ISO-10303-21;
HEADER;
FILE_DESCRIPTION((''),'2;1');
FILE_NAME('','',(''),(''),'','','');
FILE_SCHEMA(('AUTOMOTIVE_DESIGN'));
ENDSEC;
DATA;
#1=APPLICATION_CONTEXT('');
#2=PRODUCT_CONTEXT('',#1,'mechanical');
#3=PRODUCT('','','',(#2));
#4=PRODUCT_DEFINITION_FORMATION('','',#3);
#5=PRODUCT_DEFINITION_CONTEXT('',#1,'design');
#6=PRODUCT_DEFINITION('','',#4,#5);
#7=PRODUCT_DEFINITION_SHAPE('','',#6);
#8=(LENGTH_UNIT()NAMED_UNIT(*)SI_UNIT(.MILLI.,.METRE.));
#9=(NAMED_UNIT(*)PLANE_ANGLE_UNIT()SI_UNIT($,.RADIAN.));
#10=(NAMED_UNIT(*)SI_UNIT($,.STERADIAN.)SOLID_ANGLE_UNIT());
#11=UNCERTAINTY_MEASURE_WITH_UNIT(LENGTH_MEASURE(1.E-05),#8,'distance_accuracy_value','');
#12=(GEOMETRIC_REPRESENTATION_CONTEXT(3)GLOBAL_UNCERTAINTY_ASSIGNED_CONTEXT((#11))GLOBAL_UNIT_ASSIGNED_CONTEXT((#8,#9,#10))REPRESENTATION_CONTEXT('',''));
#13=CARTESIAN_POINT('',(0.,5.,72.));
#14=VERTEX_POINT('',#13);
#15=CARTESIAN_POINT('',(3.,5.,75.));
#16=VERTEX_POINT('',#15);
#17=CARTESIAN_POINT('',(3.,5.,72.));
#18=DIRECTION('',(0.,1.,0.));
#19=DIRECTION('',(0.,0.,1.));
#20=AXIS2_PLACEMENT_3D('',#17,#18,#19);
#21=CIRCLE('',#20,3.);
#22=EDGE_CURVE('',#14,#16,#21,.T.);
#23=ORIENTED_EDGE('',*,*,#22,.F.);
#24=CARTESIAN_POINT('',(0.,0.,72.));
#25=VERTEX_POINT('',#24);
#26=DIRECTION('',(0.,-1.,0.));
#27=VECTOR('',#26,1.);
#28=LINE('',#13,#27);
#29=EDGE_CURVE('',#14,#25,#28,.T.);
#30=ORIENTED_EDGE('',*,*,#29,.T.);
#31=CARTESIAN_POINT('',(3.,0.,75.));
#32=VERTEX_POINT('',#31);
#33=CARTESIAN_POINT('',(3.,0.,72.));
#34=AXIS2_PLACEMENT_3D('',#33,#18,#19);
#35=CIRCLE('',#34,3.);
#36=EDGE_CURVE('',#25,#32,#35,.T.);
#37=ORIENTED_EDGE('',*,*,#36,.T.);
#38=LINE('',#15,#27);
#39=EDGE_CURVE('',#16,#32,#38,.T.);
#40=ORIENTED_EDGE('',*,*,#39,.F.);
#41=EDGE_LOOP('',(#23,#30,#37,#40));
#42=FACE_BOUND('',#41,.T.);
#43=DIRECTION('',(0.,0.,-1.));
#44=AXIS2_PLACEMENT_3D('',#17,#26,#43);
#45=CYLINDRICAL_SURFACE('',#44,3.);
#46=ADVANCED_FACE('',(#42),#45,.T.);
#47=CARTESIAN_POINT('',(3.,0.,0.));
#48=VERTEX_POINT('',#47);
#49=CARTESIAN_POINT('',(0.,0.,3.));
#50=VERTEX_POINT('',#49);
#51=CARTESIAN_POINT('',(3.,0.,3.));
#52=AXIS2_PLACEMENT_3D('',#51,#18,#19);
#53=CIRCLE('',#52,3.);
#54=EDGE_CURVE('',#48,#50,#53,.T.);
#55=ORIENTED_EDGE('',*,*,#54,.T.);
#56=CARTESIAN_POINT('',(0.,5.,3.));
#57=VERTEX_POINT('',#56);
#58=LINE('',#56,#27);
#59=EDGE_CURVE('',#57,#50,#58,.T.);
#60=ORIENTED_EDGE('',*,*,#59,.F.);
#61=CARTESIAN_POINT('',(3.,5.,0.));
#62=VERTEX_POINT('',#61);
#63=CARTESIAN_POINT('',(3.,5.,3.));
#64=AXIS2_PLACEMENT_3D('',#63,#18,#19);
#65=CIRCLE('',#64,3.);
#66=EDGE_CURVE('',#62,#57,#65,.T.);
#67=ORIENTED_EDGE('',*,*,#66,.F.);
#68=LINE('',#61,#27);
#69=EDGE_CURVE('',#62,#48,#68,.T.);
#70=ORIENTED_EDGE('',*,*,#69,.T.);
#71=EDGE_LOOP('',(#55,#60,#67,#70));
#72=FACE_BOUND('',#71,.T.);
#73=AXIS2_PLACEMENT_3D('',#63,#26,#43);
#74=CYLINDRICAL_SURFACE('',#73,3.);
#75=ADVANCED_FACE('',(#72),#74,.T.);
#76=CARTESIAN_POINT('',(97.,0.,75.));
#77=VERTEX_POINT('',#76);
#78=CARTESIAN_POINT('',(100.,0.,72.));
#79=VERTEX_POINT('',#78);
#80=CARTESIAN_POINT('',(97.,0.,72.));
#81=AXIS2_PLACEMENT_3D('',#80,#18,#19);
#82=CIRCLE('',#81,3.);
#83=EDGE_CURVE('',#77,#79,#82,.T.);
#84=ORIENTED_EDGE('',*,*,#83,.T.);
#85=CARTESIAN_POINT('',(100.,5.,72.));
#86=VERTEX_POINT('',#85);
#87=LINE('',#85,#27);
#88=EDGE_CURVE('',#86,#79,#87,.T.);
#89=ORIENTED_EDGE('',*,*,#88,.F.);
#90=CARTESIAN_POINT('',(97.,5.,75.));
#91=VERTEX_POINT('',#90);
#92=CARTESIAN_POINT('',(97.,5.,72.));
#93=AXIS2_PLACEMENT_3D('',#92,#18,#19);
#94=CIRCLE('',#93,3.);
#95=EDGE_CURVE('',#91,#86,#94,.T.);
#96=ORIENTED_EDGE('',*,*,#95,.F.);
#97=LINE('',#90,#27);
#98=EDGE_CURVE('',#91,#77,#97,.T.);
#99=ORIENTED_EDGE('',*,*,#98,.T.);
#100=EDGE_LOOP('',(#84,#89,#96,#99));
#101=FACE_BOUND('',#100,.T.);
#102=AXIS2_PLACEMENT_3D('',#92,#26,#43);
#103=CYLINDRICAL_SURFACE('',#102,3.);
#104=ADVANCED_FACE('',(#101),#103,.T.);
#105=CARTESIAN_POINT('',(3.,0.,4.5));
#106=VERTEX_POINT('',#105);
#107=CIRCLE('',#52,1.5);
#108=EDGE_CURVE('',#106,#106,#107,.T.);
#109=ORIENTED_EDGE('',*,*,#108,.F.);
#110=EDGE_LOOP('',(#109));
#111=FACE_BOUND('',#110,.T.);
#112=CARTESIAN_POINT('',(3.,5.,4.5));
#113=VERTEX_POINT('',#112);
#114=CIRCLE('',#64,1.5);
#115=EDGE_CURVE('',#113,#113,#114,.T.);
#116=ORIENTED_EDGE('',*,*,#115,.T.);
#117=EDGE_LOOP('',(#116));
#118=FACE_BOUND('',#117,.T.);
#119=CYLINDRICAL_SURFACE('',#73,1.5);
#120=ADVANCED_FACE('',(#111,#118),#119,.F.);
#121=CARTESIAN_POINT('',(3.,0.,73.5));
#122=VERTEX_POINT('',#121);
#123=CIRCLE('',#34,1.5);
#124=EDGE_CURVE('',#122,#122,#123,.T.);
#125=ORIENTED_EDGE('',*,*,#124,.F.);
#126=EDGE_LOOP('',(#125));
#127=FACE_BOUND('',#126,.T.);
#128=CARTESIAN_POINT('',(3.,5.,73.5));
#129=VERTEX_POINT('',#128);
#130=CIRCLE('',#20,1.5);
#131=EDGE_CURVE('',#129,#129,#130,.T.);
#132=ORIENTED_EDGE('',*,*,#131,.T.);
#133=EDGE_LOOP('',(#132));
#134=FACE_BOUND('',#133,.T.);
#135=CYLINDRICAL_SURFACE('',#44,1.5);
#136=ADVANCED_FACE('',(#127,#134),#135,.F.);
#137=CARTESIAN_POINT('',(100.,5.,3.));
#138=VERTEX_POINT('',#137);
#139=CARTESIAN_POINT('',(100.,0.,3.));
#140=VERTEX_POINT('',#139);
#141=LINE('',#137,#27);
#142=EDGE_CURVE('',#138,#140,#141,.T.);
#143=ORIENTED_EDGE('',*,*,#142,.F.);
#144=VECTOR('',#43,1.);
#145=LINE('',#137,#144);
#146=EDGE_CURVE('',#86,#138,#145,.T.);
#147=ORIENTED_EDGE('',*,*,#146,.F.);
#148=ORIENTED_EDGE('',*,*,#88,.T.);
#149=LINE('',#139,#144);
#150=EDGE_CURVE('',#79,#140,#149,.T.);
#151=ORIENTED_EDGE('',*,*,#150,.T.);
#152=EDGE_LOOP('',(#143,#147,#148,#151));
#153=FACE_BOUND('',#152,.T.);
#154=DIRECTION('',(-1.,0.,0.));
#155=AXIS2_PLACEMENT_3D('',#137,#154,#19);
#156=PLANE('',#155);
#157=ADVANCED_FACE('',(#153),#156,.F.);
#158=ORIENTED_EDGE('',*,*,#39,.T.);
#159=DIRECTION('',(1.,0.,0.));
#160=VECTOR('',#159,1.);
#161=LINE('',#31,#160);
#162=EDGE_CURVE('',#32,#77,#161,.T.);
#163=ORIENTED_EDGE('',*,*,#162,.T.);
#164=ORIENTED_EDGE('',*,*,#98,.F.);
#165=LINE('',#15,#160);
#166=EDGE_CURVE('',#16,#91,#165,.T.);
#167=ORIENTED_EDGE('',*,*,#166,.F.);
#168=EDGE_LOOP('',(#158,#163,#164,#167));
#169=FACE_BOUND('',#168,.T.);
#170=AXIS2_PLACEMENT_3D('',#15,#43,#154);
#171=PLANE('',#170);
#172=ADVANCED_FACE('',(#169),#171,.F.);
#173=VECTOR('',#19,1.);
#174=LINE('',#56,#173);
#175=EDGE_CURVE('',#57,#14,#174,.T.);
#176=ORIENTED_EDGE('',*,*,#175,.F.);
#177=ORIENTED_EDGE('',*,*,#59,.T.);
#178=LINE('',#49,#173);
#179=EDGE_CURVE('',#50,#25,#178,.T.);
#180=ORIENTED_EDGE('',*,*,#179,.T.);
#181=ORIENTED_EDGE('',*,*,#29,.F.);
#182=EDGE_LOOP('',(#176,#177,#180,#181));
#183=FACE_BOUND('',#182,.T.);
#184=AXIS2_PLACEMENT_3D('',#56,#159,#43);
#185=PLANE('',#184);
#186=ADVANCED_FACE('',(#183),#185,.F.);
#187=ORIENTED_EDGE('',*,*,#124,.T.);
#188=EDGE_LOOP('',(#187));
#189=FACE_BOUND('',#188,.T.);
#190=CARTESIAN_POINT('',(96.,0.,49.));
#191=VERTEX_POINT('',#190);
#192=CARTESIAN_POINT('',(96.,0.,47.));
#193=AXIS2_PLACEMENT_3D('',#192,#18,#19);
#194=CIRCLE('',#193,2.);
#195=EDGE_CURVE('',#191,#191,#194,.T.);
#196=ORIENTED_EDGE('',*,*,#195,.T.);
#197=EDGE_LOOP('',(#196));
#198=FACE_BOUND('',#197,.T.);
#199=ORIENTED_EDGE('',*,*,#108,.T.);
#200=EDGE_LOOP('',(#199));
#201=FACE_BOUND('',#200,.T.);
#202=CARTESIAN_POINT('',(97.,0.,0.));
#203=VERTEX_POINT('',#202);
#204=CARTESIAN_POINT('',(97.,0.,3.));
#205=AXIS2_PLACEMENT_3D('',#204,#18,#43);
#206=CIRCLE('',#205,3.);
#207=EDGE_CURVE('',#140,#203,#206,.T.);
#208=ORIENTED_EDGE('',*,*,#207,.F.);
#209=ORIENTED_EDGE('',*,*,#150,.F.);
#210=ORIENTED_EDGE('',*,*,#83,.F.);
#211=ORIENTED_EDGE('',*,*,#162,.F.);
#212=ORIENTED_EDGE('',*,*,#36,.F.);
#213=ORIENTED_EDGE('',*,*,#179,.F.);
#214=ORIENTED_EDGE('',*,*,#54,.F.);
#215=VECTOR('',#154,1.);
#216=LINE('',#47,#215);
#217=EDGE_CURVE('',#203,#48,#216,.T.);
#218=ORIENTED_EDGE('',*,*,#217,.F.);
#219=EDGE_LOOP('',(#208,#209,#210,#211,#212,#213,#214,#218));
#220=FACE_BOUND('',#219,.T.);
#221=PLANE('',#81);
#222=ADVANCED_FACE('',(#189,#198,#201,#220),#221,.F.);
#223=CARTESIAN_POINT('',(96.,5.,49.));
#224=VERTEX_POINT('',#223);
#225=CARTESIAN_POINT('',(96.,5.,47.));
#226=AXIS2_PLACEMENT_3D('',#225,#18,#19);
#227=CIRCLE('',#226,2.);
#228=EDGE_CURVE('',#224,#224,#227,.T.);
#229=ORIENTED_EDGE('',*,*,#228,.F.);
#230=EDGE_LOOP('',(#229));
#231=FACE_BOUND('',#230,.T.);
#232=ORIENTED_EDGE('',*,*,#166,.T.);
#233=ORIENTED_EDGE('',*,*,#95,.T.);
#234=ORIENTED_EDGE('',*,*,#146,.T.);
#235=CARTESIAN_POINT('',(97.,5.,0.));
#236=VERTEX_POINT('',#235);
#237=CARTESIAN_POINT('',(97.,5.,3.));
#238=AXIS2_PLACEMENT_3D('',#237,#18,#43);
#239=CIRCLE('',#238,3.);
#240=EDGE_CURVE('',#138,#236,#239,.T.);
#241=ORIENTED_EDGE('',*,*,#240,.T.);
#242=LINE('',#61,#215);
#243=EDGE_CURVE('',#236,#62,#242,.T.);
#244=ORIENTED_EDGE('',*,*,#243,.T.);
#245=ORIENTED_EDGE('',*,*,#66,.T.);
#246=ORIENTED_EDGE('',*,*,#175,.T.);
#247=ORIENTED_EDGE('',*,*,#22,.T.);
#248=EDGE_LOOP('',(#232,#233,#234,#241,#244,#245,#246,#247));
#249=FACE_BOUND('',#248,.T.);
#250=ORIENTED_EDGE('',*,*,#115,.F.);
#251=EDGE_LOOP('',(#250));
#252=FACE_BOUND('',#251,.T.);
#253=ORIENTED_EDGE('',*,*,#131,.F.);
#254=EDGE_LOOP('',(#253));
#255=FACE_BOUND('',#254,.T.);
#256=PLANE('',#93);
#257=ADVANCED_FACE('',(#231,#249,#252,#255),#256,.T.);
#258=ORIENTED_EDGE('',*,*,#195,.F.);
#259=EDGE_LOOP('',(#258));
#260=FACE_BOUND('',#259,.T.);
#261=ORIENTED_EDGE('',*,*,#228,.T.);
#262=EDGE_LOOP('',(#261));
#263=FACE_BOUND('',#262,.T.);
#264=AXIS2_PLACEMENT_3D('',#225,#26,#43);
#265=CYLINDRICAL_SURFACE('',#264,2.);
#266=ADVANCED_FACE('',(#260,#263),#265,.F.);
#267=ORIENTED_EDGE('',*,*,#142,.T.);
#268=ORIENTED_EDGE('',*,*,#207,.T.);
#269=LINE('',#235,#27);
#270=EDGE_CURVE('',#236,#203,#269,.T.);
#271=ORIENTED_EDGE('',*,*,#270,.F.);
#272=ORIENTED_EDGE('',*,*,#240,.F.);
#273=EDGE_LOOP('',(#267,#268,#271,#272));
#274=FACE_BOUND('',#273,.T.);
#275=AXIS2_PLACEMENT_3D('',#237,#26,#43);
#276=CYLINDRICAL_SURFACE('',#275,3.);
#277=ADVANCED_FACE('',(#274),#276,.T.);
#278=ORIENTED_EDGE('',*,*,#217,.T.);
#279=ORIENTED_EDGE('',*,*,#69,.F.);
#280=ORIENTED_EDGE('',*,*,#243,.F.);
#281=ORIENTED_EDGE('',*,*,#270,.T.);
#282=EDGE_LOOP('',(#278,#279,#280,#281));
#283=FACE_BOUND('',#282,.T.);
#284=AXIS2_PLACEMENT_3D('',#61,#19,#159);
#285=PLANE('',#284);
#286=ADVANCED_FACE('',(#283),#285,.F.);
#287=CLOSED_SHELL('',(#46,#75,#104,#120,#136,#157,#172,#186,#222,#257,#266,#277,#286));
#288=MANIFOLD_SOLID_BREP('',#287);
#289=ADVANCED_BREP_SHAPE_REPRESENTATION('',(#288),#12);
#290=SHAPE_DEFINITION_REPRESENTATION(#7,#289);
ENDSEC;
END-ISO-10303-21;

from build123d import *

# Parameters (mm, degrees)
SKETCH_1_R      = 1.5
SKETCH_1_R_2    = 2
EXTRUDE_1_DEPTH = 5


with BuildPart() as part:
    # 草图1 → 凸台-拉伸1 (new body)
    with BuildSketch(Plane(origin=(0, 0, 0), x_dir=(1, 0, 0), z_dir=(0, 1, 0))):
        with BuildLine():
            Line((3, 0), (97, 0))
            ThreePointArc((97, 0), (99.121320344, -0.878679656), (100, -3))
            Line((100, -3), (100, -72))
            ThreePointArc((100, -72), (99.121320344, -74.121320344), (97, -75))
            Line((97, -75), (3, -75))
            ThreePointArc((3, -75), (0.878679656, -74.121320344), (0, -72))
            Line((0, -72), (0, -3))
            ThreePointArc((0, -3), (0.878679656, -0.878679656), (3, 0))
        make_face()
        with Locations(Location((3, -3, 0), (0, 0, 270))):
            Circle(SKETCH_1_R, mode=Mode.SUBTRACT)
        with Locations(Location((3, -72, 0), (0, 0, 270))):
            Circle(SKETCH_1_R, mode=Mode.SUBTRACT)
        with Locations(Location((96, -47, 0), (0, 0, 270))):
            Circle(SKETCH_1_R_2, mode=Mode.SUBTRACT)
    extrude(amount=EXTRUDE_1_DEPTH)


solid = part.part
